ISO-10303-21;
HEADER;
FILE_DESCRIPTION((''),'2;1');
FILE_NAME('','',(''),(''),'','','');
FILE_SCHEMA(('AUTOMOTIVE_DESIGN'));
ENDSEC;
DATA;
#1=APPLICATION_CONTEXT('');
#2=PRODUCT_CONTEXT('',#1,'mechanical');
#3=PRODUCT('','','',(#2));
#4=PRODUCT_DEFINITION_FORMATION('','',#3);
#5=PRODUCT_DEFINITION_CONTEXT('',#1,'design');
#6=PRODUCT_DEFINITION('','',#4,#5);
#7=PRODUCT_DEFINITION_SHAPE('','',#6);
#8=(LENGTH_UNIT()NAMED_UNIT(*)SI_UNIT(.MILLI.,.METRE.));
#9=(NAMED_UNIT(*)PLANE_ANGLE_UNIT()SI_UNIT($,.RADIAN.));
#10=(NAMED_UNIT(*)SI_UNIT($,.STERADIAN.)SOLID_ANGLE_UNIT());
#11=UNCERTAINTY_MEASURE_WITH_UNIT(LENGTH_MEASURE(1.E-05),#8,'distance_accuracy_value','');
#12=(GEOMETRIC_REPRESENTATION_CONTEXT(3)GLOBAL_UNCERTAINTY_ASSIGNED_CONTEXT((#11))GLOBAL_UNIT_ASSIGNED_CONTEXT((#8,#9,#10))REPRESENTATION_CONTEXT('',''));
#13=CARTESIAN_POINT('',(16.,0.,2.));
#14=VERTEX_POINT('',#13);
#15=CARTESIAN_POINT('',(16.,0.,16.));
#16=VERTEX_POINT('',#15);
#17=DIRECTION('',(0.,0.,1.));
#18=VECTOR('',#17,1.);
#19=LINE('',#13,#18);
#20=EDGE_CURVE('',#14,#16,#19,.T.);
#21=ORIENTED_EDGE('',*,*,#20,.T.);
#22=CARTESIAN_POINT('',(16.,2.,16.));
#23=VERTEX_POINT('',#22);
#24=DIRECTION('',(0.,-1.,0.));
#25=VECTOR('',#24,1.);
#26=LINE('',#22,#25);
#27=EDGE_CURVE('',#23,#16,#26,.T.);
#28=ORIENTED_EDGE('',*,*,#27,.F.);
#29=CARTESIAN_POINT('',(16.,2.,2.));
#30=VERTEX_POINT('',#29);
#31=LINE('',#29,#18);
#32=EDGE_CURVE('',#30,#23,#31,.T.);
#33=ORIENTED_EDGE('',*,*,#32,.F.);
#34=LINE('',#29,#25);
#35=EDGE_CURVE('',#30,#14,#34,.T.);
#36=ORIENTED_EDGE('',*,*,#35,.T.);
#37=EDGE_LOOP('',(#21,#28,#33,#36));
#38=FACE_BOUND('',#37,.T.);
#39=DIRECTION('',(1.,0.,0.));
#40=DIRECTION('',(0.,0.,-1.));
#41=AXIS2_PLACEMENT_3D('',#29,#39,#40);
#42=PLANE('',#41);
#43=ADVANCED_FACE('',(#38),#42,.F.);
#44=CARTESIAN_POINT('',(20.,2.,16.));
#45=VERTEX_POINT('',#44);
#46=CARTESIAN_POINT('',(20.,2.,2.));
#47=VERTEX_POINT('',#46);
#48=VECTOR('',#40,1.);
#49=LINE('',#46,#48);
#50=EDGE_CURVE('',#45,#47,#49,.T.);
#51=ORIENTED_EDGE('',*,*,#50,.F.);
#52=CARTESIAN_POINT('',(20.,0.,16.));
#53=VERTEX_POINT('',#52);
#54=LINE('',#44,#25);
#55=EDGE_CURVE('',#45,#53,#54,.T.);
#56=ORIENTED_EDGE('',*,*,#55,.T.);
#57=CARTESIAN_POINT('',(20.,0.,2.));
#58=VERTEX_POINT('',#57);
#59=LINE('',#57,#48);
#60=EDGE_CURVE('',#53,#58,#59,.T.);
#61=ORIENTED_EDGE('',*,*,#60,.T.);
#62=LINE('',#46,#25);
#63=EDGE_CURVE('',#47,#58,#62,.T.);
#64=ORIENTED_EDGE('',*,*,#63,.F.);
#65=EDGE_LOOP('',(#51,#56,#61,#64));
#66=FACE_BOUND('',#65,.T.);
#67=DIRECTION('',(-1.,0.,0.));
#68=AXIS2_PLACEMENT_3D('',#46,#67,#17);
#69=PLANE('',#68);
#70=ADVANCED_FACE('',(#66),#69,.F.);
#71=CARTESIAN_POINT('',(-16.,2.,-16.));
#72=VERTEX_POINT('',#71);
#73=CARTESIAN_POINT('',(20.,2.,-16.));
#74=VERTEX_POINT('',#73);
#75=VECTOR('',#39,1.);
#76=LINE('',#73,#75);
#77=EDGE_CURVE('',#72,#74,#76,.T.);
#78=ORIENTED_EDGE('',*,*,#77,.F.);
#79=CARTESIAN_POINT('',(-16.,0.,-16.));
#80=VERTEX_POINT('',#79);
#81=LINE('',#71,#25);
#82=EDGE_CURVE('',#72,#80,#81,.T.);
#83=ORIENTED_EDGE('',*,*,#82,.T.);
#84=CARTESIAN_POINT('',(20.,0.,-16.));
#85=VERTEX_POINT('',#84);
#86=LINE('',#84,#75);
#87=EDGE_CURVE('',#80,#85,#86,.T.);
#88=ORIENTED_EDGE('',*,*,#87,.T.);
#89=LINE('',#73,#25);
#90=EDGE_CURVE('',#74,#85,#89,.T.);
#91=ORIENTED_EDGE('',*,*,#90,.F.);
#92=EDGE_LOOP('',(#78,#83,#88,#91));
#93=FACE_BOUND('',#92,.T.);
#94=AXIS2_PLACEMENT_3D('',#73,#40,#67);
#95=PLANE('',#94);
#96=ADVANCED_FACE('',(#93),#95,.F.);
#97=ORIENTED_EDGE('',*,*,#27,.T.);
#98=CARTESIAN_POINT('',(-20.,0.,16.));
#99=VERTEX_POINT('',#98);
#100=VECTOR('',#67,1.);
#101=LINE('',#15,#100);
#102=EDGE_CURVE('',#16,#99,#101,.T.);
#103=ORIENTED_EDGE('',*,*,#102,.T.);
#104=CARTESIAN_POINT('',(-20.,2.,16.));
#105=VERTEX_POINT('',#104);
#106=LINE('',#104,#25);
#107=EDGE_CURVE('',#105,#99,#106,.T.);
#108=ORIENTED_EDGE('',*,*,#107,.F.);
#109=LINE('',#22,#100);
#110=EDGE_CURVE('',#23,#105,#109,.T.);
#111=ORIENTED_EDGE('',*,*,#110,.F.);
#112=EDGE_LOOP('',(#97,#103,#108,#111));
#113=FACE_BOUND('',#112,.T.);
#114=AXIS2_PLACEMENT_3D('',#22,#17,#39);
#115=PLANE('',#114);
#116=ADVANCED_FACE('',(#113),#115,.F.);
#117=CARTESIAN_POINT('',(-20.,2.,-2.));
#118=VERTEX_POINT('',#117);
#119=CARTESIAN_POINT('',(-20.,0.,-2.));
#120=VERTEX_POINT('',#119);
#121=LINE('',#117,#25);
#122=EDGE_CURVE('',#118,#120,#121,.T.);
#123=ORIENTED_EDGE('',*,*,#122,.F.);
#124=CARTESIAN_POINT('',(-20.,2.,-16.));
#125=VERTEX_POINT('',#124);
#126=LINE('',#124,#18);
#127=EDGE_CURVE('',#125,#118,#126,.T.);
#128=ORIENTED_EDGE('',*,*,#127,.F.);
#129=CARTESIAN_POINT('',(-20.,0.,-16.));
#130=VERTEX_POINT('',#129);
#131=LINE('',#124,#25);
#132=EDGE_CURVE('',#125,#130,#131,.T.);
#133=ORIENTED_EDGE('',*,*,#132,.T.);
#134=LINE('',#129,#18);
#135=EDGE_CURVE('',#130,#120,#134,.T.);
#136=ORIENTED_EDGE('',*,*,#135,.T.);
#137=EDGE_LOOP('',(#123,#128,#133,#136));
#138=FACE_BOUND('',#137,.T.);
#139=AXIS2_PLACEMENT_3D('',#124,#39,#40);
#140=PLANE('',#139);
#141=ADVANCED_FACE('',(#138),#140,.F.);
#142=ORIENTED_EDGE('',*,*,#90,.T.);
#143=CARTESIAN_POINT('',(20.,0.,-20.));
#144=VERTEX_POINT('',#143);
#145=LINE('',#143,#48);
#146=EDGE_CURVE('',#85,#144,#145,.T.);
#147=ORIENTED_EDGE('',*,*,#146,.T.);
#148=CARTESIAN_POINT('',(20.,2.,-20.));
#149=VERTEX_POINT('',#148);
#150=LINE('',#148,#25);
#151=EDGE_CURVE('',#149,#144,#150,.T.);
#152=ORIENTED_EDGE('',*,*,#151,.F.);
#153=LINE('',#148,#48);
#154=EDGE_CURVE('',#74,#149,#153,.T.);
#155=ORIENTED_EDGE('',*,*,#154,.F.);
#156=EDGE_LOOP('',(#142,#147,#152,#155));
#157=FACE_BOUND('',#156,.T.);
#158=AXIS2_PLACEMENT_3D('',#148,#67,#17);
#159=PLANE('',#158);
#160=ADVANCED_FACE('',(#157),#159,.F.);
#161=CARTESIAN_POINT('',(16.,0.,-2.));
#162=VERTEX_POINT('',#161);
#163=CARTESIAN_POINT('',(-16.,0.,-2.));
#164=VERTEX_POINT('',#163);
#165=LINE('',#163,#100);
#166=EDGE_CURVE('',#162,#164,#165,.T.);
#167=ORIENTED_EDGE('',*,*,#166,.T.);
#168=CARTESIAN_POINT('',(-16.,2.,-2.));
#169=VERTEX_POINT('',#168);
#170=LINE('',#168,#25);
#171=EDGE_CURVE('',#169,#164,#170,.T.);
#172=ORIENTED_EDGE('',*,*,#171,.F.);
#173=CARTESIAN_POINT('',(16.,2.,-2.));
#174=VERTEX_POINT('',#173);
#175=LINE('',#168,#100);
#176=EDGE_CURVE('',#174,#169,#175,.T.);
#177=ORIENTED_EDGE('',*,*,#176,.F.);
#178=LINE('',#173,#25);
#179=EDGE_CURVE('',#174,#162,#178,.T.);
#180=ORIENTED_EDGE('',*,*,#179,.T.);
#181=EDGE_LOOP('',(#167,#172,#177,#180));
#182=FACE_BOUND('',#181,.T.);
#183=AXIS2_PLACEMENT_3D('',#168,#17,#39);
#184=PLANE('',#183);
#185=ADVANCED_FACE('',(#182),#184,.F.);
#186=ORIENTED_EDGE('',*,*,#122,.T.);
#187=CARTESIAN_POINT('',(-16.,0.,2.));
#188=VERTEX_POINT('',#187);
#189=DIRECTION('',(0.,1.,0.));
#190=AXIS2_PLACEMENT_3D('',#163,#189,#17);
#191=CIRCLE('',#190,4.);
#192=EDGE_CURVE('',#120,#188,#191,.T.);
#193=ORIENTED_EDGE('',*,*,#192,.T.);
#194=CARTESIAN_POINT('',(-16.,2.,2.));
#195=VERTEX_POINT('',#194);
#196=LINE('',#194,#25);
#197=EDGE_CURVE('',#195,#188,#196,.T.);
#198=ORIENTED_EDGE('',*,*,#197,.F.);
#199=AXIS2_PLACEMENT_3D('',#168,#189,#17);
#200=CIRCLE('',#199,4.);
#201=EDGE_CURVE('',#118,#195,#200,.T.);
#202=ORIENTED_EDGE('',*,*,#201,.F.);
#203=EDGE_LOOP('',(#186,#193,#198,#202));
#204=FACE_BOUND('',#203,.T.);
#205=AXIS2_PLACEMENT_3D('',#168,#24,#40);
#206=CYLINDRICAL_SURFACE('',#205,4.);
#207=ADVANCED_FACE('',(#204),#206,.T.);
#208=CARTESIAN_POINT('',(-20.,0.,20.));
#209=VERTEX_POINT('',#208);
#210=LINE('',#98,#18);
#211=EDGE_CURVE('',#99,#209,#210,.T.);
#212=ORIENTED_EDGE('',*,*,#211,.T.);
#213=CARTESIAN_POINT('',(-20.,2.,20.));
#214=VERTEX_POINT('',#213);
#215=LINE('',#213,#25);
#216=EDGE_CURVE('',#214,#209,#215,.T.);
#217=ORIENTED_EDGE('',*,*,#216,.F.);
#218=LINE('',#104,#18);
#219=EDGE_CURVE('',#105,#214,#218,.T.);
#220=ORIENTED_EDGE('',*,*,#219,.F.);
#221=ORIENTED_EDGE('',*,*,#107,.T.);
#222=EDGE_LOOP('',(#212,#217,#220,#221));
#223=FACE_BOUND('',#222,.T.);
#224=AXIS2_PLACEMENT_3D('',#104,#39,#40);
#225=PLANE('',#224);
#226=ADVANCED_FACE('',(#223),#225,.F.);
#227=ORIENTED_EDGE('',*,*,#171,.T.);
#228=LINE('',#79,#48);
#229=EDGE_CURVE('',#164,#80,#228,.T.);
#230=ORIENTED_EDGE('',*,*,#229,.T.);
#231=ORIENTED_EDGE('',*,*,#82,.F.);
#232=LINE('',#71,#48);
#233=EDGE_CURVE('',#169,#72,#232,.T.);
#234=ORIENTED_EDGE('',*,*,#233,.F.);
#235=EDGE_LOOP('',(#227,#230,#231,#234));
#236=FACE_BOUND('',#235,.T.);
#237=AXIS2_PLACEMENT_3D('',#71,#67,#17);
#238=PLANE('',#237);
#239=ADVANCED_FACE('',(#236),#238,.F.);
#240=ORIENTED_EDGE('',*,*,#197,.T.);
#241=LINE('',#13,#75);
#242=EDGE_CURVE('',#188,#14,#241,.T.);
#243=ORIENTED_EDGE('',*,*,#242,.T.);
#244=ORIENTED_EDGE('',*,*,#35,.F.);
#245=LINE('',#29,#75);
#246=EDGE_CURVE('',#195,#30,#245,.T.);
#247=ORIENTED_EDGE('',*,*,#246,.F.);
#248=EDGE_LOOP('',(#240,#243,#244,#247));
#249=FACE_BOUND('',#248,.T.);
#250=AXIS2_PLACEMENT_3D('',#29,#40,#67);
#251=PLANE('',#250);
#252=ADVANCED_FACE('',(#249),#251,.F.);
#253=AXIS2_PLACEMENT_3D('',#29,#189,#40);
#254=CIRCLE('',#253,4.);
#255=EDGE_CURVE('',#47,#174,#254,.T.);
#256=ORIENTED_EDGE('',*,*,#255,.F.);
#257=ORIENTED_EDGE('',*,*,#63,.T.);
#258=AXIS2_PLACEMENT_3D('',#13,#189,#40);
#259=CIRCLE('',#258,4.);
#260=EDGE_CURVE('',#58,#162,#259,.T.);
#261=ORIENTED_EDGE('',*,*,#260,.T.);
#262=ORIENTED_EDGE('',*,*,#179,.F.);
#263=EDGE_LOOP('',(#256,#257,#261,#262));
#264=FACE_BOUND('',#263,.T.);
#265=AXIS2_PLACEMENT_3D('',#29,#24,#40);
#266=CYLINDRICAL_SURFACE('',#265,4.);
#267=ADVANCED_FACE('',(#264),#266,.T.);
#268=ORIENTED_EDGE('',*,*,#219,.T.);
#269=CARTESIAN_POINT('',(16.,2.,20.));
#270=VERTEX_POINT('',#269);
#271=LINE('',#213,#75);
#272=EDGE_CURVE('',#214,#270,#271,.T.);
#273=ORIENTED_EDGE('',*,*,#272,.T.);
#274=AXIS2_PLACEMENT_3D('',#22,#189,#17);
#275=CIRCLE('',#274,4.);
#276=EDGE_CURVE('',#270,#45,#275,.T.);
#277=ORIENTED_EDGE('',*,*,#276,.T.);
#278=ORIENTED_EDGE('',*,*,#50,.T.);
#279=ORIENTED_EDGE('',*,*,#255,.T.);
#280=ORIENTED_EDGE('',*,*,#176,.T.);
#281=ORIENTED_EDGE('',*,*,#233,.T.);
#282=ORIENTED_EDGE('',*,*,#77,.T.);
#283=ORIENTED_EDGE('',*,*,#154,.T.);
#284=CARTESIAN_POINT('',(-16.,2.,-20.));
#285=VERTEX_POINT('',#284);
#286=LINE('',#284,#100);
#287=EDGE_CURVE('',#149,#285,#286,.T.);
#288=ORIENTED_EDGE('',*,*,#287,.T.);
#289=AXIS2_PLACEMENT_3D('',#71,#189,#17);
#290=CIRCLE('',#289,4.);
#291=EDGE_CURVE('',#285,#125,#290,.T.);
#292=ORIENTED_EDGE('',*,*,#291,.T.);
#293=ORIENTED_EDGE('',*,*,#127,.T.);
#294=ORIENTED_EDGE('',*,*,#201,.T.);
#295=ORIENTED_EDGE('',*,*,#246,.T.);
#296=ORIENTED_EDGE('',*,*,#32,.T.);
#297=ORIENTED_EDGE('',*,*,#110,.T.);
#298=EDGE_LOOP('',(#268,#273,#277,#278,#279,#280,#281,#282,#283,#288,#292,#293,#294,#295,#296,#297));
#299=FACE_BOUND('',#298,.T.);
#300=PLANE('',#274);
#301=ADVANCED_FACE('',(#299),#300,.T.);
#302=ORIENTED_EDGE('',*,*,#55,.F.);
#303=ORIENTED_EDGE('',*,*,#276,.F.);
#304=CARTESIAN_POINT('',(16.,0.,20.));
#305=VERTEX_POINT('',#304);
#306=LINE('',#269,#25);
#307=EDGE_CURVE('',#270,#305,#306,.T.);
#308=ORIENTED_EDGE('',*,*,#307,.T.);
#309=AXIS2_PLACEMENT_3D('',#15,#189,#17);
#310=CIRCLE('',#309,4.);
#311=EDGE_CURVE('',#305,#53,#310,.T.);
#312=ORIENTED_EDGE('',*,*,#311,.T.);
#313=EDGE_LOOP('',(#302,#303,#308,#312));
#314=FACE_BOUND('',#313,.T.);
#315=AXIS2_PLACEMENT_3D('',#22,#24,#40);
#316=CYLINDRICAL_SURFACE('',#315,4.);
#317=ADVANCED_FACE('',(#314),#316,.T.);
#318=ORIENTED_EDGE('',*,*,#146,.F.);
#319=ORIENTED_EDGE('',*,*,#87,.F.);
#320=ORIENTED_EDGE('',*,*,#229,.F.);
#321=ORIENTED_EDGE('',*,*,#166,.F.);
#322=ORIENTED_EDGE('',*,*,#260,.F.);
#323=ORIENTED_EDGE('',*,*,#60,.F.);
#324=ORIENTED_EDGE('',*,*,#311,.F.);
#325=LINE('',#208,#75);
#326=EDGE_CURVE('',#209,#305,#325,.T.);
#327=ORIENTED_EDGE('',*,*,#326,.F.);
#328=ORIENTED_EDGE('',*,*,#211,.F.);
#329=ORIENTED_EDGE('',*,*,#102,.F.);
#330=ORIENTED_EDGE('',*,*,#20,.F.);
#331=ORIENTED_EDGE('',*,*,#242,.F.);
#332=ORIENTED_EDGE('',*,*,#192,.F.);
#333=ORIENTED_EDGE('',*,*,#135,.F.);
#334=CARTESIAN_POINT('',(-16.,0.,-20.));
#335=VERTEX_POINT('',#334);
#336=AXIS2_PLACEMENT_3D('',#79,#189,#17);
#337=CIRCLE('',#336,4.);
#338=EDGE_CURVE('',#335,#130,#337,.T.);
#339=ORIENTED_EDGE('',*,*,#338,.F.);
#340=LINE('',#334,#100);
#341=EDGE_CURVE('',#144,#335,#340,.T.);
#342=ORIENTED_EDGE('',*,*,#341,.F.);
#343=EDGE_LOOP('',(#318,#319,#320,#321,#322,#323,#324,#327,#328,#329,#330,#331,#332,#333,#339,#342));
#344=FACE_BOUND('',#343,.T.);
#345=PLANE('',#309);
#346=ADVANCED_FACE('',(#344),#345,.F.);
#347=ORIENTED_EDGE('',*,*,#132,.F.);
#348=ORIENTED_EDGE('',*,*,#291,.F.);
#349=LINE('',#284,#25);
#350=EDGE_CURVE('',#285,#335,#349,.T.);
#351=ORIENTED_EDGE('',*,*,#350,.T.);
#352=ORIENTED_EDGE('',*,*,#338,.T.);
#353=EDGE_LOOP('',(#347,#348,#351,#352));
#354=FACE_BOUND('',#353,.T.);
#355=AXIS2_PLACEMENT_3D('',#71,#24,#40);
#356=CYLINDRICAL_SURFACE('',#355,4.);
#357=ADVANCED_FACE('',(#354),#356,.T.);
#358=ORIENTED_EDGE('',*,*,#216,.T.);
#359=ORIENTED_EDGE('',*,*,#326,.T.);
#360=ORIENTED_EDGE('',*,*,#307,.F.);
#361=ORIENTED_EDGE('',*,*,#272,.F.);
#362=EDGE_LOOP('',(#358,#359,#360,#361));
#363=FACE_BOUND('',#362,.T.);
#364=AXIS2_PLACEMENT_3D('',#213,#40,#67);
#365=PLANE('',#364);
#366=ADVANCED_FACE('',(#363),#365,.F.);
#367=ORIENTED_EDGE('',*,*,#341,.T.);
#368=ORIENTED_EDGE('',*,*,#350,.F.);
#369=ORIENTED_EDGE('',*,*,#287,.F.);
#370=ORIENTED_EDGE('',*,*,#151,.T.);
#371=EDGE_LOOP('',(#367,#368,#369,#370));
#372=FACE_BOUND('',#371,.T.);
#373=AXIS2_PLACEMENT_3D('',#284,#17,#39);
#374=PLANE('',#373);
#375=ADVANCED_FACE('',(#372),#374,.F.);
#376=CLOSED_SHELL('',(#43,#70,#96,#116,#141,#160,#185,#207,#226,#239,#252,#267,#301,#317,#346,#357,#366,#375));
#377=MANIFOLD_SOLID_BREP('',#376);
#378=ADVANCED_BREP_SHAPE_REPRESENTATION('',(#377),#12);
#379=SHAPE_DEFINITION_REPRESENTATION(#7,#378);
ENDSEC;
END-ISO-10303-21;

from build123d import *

# Parameters (mm, degrees)
BOSS_EXTRUDE1_DEPTH = 2


with BuildPart() as part:
    # Sketch2 → Boss-Extrude1 (new body)
    with BuildSketch(Plane(origin=(0, 0, 0), x_dir=(1, 0, 0), z_dir=(0, 1, 0))):
        with BuildLine():
            Line((20, 20), (20, 16))
            Line((20, 16), (-16, 16))
            Line((-16, 16), (-16, 2))
            Line((-16, 2), (16, 2))
            ThreePointArc((16, 2), (18.828427125, 0.828427125), (20, -2))
            Line((20, -2), (20, -16))
            ThreePointArc((20, -16), (18.828427125, -18.828427125), (16, -20))
            Line((16, -20), (-20, -20))
            Line((-20, -20), (-20, -16))
            Line((-20, -16), (16, -16))
            Line((16, -16), (16, -2))
            Line((16, -2), (-16, -2))
            ThreePointArc((-16, -2), (-18.828427125, -0.828427125), (-20, 2))
            Line((-20, 2), (-20, 16))
            ThreePointArc((-20, 16), (-18.828427125, 18.828427125), (-16, 20))
            Line((-16, 20), (20, 20))
        make_face()
    extrude(amount=BOSS_EXTRUDE1_DEPTH)


solid = part.part
